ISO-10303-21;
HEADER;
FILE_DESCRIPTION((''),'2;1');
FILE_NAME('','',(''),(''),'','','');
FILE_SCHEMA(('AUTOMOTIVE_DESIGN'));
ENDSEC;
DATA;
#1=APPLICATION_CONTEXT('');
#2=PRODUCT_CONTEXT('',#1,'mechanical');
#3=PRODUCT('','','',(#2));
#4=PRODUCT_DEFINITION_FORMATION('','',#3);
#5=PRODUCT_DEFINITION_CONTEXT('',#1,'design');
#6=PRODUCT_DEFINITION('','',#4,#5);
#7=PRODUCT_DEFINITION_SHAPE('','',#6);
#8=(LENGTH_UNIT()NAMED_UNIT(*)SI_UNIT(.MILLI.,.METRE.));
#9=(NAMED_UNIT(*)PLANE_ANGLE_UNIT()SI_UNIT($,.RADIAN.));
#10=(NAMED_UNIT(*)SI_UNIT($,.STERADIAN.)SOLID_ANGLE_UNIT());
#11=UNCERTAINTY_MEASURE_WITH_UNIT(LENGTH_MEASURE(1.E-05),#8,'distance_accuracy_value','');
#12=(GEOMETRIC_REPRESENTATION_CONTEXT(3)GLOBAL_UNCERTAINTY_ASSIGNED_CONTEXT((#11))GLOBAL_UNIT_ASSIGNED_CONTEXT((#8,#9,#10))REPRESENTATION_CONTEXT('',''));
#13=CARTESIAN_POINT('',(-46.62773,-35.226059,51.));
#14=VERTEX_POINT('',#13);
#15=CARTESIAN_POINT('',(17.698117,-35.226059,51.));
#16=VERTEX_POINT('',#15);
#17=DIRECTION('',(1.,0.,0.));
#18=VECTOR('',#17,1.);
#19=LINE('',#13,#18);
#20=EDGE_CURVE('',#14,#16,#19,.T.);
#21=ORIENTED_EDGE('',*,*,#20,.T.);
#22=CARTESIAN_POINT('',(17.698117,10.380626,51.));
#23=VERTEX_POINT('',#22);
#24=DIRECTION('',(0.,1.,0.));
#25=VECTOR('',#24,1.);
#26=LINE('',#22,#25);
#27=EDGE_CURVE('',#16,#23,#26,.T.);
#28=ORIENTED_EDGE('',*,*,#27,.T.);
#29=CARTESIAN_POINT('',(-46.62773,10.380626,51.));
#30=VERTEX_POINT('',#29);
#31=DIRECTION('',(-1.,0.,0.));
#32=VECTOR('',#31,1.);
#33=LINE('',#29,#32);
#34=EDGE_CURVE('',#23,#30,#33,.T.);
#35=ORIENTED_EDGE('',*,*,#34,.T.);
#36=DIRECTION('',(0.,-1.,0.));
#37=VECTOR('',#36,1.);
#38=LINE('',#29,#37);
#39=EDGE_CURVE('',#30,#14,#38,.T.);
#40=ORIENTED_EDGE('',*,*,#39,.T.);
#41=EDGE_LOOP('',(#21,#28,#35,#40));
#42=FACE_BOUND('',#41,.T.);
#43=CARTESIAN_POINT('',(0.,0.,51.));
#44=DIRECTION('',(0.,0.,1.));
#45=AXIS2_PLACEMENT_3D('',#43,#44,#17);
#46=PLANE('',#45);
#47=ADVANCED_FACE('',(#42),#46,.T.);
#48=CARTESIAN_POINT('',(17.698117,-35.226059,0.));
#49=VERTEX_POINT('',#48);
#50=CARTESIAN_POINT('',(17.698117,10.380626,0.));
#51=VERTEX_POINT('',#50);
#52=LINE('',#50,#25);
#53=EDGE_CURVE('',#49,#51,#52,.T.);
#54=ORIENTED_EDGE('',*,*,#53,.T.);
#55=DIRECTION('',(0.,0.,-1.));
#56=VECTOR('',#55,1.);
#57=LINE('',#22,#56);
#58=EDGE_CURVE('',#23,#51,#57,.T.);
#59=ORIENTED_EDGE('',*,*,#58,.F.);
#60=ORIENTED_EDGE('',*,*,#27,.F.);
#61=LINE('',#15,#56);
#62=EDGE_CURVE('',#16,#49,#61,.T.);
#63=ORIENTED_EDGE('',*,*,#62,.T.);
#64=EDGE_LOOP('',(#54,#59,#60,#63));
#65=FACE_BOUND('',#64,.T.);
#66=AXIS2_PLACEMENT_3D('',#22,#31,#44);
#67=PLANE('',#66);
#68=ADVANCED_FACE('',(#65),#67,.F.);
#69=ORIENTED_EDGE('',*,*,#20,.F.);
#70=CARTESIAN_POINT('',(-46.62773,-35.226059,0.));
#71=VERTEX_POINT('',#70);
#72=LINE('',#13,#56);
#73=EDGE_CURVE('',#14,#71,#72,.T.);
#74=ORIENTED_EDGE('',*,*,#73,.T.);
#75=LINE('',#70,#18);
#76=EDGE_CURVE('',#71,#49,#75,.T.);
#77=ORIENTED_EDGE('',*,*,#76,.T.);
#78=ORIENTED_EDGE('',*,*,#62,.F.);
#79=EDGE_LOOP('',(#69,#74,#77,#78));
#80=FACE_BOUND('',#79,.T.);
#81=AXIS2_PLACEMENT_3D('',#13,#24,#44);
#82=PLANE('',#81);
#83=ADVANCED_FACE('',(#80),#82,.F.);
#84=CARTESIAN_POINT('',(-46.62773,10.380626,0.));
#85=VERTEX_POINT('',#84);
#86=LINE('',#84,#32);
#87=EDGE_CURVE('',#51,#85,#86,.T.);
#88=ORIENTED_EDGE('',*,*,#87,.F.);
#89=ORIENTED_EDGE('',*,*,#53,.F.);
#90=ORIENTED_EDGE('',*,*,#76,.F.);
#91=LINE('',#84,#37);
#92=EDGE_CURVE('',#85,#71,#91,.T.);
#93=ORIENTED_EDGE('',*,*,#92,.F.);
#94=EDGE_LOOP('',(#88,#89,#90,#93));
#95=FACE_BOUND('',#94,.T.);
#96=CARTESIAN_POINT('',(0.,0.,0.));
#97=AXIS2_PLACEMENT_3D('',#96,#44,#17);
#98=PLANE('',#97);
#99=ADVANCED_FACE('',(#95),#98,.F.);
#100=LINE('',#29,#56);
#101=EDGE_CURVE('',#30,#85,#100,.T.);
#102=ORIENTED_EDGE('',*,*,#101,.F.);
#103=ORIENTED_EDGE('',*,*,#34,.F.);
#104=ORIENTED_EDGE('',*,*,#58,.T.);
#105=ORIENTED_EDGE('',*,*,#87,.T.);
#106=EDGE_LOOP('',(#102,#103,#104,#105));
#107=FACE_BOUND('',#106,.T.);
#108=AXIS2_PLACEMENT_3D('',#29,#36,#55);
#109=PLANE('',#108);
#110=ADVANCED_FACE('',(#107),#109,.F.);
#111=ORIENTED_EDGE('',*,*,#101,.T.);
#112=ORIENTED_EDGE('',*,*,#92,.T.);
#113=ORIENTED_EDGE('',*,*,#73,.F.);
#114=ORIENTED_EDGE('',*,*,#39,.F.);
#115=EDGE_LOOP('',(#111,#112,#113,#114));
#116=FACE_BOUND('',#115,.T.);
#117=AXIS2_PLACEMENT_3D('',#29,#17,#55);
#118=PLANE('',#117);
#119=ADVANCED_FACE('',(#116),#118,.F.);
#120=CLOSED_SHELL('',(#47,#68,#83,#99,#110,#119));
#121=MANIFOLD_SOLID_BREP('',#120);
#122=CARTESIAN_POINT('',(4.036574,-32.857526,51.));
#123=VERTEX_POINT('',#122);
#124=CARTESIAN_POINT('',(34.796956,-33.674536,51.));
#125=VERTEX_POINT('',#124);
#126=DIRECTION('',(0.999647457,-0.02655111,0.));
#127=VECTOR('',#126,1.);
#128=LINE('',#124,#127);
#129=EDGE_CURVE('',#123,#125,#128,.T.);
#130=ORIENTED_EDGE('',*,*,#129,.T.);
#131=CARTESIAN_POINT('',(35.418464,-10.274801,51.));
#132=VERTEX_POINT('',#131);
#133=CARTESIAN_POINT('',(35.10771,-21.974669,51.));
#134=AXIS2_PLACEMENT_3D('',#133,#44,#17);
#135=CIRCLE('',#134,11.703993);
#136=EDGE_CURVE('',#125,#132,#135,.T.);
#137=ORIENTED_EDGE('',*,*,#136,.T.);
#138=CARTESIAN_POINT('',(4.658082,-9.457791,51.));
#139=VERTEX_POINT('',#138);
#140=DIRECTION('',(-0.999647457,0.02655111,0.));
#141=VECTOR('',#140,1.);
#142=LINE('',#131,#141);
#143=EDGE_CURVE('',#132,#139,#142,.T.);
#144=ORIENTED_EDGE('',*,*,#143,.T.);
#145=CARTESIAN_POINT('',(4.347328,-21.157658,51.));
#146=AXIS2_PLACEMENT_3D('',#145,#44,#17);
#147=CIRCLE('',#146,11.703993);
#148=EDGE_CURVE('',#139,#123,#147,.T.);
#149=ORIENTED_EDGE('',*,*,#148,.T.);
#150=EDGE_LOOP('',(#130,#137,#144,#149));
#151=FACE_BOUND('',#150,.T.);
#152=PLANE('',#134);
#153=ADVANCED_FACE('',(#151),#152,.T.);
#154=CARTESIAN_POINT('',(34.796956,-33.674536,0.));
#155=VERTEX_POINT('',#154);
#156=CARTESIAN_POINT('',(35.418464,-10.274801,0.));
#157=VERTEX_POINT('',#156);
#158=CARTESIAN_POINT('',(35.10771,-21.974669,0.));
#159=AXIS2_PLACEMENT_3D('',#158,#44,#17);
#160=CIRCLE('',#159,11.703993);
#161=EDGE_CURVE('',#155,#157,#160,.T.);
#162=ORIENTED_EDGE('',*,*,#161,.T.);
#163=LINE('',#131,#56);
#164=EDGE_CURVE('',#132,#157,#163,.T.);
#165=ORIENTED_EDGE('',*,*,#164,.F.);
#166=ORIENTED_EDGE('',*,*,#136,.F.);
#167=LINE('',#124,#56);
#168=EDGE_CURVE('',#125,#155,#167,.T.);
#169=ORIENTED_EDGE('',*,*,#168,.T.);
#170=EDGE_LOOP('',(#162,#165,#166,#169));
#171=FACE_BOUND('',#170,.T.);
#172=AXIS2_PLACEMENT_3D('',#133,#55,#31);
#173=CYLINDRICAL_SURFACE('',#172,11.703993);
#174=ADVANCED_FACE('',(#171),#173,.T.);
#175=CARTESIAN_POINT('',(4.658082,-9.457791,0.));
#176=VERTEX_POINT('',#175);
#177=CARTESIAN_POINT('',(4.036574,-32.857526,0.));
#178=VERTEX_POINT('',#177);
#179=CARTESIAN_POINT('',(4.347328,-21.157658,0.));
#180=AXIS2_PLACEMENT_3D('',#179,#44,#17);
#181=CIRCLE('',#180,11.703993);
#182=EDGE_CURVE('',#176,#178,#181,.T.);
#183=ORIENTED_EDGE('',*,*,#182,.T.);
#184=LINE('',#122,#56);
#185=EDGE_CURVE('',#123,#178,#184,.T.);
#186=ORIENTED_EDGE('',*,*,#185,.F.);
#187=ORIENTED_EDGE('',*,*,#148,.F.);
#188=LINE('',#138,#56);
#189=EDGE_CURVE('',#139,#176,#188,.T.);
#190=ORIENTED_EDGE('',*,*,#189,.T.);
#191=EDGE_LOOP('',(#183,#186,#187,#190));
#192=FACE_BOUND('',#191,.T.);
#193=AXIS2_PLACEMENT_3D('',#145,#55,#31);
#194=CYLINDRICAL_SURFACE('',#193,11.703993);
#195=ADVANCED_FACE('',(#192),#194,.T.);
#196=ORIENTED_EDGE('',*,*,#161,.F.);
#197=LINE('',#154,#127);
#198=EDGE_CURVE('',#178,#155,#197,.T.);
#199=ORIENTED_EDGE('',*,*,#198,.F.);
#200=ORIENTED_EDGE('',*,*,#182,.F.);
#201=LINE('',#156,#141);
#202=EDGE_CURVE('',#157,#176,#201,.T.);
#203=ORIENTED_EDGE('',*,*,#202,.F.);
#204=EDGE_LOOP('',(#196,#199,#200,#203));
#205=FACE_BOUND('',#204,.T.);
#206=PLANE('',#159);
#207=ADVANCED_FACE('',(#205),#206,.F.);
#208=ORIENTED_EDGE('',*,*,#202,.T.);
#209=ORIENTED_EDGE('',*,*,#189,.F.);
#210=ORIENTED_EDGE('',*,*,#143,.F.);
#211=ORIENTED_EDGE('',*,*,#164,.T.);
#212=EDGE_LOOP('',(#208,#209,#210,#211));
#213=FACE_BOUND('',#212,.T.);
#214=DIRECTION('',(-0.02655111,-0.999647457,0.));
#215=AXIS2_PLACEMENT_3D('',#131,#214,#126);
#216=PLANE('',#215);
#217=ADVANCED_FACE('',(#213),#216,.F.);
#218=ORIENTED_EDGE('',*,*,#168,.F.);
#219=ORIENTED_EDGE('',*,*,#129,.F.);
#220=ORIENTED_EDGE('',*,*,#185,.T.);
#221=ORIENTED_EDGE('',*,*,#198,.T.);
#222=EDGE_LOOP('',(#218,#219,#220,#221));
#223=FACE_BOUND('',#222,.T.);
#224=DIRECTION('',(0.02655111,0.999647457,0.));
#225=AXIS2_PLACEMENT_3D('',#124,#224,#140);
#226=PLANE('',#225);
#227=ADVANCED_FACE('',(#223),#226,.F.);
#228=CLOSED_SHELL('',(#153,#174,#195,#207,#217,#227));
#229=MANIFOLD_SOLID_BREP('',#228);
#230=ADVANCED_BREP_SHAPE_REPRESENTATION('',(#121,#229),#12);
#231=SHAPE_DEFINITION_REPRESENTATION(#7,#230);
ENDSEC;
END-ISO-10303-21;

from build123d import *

# Parameters (mm, degrees)
SKETCH2_W           = 64.325846528
SKETCH2_H           = 45.60668484
BOSS_EXTRUDE1_DEPTH = 51
BOSS_EXTRUDE2_DEPTH = 51


with BuildPart() as part:
    # Sketch2 → Boss-Extrude1 (new body)
    with BuildSketch(Plane.XY):
        with Locations((-14.464806759, -12.422716393)):
            Rectangle(SKETCH2_W, SKETCH2_H)
    extrude(amount=BOSS_EXTRUDE1_DEPTH)


with BuildPart() as body_2:
    # Sketch3 → Boss-Extrude2 (new body)
    with BuildSketch(Plane.XY):
        with BuildLine():
            Line((34.79695587, -33.674535843), (4.036573747, -32.85752552))
            ThreePointArc((4.036573747, -32.85752552), (-7.352539417, -20.846904325), (4.658081778, -9.457791161))
            Line((4.658081778, -9.457791161), (35.418463901, -10.274801484))
            ThreePointArc((35.418463901, -10.274801484), (46.807577065, -22.285422679), (34.79695587, -33.674535843))
        make_face()
    extrude(amount=BOSS_EXTRUDE2_DEPTH)


solid = Compound([part.part, body_2.part])
